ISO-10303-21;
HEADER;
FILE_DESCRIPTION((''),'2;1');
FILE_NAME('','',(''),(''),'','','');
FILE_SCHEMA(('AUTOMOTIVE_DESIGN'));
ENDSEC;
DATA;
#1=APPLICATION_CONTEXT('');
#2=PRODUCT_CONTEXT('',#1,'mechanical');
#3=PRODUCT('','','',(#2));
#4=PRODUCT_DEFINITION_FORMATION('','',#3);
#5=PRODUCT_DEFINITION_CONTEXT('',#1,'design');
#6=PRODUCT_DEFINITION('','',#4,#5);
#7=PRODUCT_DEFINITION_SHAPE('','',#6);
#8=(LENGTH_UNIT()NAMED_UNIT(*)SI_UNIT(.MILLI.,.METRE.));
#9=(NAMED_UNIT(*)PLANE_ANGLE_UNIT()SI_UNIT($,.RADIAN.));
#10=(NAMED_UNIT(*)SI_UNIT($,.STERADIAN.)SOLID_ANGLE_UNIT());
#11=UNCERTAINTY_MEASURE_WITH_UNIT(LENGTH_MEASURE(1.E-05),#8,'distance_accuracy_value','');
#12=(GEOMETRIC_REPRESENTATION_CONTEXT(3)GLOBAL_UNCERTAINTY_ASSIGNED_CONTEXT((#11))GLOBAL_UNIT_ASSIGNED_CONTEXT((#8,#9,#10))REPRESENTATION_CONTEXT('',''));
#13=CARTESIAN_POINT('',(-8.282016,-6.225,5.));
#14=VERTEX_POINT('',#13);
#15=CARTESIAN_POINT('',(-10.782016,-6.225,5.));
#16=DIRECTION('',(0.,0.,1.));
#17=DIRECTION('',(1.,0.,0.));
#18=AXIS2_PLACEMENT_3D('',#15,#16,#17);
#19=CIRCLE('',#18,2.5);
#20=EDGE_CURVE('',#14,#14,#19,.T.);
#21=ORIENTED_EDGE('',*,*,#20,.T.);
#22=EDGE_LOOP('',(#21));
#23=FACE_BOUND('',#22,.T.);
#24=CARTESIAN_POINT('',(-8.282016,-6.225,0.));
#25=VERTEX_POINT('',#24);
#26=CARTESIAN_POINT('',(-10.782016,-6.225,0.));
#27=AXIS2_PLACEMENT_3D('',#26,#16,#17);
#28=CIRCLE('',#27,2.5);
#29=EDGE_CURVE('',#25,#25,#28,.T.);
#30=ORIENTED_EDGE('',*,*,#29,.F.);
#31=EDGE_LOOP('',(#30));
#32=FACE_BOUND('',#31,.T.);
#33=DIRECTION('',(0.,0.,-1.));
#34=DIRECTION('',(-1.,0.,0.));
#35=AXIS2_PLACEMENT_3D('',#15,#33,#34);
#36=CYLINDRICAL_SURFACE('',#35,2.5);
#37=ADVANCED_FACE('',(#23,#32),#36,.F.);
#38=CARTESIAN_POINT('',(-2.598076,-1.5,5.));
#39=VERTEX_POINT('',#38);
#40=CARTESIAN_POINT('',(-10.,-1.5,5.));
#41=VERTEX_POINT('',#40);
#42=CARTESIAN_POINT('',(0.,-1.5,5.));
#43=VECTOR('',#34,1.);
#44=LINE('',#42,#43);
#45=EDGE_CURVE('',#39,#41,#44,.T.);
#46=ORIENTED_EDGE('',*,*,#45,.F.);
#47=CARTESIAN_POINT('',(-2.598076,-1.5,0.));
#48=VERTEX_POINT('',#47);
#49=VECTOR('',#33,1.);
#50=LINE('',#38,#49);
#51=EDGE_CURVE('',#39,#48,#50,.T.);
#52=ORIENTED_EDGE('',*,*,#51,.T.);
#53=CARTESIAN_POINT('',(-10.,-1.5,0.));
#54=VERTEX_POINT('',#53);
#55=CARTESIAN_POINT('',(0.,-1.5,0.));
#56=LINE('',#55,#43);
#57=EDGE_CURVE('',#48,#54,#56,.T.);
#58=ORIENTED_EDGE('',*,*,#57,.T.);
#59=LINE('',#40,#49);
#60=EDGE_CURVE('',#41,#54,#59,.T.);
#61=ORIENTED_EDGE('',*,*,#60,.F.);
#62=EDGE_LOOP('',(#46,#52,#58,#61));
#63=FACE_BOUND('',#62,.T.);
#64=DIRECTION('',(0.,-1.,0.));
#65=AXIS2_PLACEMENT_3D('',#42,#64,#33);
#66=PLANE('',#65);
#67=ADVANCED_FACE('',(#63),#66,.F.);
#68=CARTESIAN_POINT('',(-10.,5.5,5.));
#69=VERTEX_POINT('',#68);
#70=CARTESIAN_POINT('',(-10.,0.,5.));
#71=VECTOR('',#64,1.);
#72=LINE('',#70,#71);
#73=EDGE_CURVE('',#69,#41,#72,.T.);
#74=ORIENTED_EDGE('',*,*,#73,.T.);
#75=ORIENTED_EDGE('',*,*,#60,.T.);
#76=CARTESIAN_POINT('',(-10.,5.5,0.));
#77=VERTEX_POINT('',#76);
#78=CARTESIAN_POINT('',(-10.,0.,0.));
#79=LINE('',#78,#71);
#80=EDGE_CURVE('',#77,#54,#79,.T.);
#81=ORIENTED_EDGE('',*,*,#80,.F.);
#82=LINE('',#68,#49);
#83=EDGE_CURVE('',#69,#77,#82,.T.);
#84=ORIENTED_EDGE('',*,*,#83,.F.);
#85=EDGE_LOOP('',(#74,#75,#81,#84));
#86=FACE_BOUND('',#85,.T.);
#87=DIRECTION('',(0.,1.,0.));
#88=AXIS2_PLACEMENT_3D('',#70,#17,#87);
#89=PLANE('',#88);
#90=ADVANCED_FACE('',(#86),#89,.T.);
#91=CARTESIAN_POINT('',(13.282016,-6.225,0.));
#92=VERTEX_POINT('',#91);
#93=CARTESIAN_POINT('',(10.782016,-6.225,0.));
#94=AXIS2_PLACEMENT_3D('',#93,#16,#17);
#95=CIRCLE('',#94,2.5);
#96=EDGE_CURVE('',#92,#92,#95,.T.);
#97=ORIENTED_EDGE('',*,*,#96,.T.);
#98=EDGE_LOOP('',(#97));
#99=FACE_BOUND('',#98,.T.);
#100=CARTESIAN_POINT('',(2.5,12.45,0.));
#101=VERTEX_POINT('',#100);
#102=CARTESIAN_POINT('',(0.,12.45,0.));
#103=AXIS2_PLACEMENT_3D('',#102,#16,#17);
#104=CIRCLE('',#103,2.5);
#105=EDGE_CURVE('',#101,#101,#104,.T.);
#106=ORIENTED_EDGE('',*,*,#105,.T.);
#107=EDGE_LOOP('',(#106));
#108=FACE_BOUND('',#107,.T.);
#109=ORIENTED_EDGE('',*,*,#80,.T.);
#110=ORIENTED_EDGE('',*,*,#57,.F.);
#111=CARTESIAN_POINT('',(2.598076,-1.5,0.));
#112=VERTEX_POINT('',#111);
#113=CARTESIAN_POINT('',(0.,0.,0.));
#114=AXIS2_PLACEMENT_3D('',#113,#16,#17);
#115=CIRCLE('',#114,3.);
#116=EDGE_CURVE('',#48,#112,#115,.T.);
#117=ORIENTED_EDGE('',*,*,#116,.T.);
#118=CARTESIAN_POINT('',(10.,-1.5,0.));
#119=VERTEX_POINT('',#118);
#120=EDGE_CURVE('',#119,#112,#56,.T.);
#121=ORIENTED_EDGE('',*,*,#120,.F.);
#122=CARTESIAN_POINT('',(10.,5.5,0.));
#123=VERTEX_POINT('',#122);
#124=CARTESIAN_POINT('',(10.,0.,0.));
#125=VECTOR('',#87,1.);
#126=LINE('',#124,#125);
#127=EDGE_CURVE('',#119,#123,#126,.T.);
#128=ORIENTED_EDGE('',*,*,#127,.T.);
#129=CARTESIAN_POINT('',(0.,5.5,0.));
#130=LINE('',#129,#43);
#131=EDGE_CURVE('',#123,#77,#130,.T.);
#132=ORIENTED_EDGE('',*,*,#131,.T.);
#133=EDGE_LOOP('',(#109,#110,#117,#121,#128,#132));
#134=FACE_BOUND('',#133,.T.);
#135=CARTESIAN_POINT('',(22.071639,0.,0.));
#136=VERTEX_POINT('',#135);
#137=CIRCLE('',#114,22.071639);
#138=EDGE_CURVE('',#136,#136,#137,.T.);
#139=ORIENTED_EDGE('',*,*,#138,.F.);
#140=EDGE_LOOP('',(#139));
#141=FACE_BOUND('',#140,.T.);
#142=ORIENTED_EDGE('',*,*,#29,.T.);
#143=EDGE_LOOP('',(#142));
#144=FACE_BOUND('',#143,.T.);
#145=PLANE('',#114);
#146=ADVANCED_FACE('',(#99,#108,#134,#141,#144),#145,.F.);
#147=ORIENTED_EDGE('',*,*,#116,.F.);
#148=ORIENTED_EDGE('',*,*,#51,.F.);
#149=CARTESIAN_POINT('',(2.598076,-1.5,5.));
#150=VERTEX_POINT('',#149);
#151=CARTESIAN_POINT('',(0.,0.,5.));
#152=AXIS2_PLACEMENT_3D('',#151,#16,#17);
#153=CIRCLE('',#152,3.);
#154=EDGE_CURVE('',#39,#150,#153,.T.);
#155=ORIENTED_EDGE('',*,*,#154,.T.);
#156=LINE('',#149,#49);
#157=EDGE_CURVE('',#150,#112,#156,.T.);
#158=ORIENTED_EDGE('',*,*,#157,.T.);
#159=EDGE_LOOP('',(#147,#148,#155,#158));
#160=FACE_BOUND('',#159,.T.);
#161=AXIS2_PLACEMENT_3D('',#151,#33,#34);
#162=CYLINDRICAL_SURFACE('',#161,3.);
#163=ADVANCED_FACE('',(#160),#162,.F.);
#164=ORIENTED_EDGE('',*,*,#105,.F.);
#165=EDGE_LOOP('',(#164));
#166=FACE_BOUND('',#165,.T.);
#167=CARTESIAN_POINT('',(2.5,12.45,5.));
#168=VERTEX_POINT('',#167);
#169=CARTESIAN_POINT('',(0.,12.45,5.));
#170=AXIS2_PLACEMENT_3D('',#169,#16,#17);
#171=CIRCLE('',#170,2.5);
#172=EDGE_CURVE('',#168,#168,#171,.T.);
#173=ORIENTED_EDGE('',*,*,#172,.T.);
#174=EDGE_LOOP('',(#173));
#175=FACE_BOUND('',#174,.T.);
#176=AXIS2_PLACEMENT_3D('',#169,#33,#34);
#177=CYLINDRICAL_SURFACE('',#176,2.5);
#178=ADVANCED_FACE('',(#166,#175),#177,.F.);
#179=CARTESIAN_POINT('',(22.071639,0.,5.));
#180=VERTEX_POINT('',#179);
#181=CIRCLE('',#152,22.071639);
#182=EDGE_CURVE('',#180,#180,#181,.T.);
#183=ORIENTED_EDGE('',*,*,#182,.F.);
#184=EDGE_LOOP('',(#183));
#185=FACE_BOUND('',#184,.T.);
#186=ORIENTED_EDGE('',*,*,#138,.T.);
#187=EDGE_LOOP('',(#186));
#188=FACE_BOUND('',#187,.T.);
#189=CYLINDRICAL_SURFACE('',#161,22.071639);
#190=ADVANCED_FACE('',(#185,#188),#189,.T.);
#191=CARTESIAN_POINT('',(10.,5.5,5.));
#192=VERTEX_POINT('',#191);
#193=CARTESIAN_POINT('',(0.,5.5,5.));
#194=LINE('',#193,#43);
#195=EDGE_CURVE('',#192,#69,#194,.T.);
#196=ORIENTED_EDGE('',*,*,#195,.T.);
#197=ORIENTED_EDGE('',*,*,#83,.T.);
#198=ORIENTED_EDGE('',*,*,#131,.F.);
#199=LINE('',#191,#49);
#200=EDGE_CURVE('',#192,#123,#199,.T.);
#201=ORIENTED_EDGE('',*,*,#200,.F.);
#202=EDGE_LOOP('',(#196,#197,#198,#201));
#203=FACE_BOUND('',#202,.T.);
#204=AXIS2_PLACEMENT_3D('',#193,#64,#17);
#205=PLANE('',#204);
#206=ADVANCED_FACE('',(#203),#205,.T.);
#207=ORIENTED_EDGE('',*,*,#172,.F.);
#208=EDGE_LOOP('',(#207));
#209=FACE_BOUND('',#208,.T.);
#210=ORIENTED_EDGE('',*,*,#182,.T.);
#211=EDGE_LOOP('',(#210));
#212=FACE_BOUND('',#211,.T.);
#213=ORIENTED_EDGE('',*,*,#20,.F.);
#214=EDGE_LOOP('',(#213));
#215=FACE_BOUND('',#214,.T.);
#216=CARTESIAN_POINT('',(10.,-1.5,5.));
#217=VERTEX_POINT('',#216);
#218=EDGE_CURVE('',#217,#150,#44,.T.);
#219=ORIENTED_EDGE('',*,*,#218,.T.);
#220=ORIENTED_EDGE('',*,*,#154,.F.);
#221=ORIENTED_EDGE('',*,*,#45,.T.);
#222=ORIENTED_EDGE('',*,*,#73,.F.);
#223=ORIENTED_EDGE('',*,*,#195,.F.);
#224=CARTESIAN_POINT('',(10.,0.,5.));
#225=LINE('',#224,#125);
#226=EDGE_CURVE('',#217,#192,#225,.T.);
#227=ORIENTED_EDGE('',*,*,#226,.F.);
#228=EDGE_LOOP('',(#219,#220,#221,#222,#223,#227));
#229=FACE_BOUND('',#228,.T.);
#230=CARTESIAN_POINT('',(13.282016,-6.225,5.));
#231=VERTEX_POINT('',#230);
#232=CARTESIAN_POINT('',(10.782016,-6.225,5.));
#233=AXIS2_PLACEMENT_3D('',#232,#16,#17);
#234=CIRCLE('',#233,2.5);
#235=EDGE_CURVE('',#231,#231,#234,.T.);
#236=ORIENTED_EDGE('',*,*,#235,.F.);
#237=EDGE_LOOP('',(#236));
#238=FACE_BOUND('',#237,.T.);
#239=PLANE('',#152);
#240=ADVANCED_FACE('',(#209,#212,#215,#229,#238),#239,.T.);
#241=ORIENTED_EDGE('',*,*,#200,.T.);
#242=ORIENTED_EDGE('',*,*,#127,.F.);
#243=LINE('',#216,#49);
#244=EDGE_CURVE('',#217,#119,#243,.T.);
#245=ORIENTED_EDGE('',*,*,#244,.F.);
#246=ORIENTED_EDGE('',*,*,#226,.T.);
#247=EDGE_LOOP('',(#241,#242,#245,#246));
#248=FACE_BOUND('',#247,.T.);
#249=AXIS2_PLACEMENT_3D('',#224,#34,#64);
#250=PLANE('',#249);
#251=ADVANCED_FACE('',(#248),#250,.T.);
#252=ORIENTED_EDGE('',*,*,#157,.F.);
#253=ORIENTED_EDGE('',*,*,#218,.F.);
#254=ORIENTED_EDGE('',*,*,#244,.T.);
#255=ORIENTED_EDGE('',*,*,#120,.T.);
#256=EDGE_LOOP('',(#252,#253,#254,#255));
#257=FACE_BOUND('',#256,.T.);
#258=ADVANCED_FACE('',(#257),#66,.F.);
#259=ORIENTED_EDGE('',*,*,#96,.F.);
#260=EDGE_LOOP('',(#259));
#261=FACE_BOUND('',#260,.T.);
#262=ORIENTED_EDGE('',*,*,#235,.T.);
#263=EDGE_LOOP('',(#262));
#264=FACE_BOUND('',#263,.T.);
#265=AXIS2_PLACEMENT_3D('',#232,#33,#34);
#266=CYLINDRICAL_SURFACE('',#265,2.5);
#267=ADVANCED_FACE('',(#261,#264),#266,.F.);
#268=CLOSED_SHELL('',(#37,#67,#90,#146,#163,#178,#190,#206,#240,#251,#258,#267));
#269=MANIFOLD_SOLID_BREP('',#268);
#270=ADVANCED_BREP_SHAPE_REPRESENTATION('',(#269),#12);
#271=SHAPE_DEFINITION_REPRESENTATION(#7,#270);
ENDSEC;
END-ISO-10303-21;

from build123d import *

# Parameters (mm, degrees)
SKETCH_1_R      = 22.071639064
SKETCH_1_R_2    = 2.5
EXTRUDE_1_DEPTH = 5


with BuildPart() as part:
    # 스케치1 → 보스-돌출1 (new body)
    with BuildSketch(Plane.XY):
        Circle(SKETCH_1_R)
        with Locations((0, 12.45)):
            Circle(SKETCH_1_R_2, mode=Mode.SUBTRACT)
        with Locations((-10.782016277, -6.225)):
            Circle(SKETCH_1_R_2, mode=Mode.SUBTRACT)
        with Locations((10.782016277, -6.225)):
            Circle(SKETCH_1_R_2, mode=Mode.SUBTRACT)
        with BuildLine():
            Line((10, 5.5), (10, -1.5))
            Line((10, -1.5), (2.598076211, -1.5))
            ThreePointArc((2.598076211, -1.5), (0, -3), (-2.598076211, -1.5))
            Line((-2.598076211, -1.5), (-10, -1.5))
            Line((-10, -1.5), (-10, 5.5))
            Line((-10, 5.5), (10, 5.5))
        make_face(mode=Mode.SUBTRACT)
    extrude(amount=EXTRUDE_1_DEPTH)


solid = part.part
